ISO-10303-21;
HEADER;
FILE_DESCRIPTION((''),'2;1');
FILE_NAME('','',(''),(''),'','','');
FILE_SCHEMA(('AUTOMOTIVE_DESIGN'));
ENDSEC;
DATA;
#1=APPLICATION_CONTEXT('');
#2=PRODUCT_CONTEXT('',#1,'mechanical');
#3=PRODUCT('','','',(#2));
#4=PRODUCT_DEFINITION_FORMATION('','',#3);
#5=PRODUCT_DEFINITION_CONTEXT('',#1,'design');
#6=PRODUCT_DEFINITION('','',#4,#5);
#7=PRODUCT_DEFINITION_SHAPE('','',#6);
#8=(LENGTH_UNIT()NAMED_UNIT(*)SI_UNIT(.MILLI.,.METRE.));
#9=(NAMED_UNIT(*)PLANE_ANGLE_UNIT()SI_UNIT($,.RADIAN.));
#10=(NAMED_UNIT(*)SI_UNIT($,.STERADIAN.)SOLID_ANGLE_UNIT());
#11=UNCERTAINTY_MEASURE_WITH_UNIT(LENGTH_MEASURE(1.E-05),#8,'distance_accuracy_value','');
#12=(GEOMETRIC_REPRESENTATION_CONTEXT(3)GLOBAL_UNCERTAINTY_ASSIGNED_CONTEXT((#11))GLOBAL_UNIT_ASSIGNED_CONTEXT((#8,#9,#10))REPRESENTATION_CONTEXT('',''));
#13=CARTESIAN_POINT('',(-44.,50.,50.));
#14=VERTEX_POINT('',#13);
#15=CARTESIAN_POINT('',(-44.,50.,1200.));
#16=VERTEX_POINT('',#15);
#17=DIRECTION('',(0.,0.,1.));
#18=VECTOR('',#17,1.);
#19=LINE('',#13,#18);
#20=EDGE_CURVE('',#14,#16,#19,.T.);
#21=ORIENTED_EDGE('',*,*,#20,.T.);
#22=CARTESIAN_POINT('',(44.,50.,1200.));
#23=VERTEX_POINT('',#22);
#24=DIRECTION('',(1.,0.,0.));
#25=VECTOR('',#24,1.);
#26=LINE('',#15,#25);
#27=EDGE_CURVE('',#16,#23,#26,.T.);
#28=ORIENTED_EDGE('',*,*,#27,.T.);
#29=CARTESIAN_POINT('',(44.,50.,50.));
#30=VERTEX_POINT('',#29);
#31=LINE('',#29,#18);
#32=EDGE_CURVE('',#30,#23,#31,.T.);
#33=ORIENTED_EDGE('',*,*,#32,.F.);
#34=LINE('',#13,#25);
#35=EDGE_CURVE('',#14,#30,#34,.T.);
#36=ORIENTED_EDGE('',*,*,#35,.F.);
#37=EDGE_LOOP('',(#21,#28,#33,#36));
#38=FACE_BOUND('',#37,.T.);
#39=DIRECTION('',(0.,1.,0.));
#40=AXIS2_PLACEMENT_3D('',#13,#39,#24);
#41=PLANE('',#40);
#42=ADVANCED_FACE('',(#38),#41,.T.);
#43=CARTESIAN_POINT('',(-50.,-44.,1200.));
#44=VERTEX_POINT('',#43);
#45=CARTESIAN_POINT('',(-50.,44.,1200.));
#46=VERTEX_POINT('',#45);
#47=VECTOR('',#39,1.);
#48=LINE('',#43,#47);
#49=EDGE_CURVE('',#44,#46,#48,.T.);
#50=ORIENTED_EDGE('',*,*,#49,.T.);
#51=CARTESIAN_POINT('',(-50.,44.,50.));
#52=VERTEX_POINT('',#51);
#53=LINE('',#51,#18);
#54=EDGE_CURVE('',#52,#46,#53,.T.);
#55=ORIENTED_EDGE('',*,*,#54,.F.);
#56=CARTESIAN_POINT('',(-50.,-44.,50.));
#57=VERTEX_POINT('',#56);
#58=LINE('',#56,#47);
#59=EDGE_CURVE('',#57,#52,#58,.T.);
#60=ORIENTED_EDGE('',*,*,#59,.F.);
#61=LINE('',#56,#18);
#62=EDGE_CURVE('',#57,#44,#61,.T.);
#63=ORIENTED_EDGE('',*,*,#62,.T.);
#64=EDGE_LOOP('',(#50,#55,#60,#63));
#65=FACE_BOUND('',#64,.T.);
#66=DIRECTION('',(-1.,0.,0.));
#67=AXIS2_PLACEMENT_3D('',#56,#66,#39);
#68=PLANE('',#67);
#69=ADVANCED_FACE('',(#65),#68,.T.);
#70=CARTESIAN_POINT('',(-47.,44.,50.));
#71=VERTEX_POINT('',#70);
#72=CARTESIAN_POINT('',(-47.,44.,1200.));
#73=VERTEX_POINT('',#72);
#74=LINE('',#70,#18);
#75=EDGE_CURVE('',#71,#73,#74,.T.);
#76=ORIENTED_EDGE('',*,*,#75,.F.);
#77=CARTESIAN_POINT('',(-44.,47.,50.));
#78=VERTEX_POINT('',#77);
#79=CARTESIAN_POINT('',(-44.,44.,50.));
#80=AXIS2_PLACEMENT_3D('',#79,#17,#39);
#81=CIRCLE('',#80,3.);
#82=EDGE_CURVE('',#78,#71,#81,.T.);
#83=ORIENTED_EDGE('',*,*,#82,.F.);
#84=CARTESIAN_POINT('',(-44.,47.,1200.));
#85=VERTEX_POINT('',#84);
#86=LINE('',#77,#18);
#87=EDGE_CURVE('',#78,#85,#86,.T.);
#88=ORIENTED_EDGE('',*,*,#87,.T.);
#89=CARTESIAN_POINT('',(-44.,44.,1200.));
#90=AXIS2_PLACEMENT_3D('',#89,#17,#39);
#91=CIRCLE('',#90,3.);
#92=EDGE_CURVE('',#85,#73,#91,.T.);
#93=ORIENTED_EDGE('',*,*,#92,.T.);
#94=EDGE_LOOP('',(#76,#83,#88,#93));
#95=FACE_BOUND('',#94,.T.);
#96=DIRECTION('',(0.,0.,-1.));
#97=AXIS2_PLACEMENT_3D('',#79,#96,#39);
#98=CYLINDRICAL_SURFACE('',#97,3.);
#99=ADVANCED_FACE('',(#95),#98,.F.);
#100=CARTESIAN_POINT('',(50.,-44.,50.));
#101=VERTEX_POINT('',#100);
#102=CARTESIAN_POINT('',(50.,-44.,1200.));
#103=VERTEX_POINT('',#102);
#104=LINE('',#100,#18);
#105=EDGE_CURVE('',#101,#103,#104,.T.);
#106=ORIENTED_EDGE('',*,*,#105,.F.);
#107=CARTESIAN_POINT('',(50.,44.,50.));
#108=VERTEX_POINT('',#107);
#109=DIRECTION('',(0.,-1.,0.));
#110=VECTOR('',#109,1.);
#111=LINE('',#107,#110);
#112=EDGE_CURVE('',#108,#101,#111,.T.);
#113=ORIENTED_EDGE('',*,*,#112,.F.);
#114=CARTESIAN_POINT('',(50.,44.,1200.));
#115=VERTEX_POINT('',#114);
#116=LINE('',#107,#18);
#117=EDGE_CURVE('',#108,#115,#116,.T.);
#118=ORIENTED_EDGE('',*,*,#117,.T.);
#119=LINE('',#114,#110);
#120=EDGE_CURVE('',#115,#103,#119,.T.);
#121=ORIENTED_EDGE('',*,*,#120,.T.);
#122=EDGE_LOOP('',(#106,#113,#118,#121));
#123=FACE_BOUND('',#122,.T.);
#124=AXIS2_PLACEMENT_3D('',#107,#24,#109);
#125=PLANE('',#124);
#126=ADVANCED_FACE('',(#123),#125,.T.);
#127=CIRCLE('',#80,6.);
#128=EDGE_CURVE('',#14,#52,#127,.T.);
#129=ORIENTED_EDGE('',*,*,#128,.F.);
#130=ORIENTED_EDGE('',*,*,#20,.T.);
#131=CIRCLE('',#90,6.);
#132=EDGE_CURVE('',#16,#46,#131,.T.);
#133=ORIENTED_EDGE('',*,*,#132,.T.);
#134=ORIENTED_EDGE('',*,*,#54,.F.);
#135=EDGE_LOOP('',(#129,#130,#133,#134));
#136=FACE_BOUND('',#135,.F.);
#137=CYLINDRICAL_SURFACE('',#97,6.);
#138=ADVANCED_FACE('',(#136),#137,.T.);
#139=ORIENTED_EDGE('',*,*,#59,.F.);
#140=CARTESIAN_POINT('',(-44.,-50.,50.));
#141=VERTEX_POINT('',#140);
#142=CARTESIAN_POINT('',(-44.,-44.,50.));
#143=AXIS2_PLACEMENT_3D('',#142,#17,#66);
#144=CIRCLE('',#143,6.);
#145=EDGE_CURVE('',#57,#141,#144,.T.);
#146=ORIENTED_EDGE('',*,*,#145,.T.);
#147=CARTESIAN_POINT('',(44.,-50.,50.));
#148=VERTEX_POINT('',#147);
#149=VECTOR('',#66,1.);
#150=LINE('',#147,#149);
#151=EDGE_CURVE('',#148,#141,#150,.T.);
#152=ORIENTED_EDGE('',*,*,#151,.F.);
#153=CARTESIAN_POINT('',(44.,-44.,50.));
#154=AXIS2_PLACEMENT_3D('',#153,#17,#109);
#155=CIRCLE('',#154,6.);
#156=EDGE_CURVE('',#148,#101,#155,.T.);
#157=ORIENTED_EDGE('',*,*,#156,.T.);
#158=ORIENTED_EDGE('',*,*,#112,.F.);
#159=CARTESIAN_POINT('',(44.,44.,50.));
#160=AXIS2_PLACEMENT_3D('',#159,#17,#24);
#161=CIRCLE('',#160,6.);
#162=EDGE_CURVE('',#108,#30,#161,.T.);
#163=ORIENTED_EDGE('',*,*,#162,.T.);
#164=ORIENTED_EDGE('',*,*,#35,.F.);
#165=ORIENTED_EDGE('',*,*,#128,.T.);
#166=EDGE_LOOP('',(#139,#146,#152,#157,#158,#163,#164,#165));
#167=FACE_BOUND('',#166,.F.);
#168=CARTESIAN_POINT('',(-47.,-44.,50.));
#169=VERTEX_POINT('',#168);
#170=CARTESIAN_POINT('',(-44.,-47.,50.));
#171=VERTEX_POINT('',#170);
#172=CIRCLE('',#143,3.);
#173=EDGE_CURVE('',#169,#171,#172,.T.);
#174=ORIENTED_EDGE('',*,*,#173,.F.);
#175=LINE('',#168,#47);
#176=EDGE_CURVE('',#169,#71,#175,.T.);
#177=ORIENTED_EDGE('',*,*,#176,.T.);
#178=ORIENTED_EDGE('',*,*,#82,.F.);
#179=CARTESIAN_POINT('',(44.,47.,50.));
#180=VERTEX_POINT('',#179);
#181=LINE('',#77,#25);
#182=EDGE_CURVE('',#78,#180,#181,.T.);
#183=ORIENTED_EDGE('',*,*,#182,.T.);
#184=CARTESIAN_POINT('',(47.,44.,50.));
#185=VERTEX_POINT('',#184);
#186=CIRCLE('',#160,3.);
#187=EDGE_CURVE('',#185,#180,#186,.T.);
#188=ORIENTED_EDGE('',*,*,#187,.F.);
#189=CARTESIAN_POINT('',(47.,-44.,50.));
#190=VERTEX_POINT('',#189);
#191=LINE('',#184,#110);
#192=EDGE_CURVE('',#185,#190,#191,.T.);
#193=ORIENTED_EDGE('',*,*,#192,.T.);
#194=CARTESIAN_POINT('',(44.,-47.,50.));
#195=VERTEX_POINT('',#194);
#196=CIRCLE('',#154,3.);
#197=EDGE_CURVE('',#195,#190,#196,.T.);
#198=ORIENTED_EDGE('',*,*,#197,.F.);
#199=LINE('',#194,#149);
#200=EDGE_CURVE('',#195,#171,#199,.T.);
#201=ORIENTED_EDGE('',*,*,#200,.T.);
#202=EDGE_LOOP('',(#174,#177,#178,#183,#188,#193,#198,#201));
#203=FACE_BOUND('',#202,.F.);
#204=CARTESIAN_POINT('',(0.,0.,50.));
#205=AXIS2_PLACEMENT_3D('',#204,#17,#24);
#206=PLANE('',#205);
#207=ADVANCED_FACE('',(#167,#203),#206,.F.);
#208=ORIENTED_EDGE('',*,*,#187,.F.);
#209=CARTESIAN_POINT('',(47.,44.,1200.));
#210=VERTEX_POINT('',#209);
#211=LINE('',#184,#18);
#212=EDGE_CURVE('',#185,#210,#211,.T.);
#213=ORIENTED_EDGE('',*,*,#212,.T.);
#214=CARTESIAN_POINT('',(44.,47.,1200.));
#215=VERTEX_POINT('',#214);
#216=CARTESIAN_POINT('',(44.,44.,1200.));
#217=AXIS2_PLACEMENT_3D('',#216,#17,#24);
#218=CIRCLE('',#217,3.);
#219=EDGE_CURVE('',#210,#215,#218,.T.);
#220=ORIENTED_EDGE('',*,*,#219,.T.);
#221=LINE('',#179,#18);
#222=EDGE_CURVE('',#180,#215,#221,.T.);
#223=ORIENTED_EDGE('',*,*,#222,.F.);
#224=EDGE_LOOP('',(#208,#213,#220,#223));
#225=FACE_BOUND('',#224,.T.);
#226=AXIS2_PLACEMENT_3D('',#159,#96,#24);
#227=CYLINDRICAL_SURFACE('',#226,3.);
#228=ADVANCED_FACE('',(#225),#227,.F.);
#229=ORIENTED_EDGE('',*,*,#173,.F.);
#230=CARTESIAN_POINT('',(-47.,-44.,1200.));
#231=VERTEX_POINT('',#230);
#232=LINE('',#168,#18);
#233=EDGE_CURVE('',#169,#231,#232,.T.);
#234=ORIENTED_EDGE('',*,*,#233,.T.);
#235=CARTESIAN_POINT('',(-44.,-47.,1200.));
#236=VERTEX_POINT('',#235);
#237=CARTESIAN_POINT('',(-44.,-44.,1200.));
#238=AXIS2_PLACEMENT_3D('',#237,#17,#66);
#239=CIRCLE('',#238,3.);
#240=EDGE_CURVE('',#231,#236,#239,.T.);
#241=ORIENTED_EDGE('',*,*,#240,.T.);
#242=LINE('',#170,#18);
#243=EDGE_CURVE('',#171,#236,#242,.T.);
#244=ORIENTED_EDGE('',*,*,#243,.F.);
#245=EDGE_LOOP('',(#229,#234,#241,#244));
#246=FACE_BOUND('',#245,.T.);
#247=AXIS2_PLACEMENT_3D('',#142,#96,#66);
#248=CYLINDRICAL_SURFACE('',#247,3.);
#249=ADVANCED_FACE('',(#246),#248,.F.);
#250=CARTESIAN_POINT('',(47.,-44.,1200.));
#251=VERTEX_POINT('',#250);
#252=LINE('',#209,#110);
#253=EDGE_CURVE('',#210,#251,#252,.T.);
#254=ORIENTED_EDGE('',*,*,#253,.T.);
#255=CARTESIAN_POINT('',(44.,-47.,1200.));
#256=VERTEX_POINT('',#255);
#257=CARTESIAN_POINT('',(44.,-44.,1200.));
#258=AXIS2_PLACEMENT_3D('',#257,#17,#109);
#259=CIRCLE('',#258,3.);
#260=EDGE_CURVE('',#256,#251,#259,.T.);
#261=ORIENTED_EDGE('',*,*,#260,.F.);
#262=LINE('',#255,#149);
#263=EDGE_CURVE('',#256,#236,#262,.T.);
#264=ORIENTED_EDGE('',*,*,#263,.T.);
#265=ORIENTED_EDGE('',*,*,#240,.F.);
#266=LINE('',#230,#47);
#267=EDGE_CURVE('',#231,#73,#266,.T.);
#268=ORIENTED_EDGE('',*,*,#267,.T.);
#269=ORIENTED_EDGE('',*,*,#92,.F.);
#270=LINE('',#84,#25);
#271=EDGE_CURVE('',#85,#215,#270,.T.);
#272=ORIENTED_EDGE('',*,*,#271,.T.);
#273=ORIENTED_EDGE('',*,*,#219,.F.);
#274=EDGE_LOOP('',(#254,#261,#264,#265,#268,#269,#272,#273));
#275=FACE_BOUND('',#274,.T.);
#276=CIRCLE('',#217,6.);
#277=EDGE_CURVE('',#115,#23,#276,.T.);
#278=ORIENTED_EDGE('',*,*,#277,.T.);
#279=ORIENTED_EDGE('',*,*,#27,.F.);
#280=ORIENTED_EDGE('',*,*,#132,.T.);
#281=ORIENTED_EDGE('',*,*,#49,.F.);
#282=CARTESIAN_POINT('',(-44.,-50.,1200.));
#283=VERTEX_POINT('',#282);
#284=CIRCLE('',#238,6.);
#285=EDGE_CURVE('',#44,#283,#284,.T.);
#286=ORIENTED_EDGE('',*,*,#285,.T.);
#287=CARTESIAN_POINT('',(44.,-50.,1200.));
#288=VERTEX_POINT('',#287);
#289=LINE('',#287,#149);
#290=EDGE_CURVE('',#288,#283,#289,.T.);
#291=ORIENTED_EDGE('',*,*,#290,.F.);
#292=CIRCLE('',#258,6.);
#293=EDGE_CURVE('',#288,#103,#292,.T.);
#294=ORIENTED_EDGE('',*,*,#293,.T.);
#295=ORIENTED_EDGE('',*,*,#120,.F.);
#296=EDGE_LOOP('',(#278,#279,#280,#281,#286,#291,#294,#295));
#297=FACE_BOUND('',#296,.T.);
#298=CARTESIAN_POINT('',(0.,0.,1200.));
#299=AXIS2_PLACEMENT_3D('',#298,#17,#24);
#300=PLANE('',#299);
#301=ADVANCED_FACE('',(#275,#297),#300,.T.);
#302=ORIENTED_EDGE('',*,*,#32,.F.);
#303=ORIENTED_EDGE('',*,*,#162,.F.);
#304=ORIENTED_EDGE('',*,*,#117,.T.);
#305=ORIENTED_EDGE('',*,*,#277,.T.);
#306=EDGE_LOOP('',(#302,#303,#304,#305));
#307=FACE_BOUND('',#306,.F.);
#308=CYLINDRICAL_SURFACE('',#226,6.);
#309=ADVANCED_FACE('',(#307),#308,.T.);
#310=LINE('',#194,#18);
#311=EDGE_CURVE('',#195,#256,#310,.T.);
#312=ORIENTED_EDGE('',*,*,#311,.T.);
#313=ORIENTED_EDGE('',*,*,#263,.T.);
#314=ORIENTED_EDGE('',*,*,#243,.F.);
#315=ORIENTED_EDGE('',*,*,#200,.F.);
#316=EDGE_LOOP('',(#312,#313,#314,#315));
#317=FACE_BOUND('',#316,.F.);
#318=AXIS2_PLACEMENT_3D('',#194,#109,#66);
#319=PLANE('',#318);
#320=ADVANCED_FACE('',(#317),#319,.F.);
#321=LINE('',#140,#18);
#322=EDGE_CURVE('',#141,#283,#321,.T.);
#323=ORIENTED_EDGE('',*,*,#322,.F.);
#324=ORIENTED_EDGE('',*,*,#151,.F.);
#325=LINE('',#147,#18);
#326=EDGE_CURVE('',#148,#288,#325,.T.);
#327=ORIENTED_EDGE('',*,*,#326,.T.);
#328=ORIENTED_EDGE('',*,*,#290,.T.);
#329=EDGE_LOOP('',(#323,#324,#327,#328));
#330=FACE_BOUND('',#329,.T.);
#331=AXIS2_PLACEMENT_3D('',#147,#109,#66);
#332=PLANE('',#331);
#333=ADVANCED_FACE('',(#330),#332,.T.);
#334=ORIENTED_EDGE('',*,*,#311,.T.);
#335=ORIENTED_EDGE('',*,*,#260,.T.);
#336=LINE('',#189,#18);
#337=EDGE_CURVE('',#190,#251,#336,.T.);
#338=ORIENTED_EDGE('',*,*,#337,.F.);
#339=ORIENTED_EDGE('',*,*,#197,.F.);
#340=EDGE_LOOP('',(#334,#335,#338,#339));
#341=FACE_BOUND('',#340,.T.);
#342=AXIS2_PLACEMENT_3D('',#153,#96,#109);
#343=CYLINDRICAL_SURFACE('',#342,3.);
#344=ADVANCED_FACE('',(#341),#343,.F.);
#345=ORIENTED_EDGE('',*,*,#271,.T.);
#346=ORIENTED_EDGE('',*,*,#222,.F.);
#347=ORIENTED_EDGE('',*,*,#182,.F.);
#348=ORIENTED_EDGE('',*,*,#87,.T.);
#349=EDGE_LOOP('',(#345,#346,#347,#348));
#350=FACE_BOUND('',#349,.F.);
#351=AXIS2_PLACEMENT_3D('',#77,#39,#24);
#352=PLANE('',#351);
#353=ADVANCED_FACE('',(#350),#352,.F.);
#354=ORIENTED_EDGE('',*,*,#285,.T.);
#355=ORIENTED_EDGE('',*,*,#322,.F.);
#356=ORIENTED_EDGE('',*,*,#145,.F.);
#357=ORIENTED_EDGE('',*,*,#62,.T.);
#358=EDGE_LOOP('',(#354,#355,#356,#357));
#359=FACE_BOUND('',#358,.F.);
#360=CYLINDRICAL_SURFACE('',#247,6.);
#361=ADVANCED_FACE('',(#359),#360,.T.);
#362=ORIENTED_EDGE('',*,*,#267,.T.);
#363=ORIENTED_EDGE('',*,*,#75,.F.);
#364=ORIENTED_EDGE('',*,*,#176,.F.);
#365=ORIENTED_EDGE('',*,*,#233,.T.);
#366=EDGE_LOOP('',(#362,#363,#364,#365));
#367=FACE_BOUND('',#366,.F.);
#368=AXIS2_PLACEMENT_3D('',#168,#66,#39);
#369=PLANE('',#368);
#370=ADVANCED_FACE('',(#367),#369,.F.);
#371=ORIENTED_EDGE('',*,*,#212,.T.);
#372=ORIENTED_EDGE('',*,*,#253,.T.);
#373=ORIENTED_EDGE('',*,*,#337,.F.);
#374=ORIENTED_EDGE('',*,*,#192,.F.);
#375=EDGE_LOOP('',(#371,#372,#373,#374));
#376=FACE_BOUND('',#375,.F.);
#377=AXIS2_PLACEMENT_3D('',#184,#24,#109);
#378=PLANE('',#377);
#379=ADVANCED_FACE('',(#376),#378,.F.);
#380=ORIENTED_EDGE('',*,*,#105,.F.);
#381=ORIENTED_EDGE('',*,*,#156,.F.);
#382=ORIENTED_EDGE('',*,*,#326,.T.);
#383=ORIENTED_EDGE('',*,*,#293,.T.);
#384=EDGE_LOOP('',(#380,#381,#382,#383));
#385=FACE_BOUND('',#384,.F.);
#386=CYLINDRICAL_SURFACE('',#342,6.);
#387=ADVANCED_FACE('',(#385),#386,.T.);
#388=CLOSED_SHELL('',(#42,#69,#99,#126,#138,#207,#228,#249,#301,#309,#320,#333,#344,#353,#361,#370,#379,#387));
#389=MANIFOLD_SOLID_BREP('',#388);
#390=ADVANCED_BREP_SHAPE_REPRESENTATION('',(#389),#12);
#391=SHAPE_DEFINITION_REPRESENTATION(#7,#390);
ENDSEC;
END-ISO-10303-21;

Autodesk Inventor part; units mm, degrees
ref_plane "YZ Plane" through (0, 0, 0) normal (1, 0, 0) x (0, 1, 0)
ref_plane "Start plane" through (0, 0, 50) normal (0, 0, 1) x (1, 0, 0)
ref_plane "End plane" through (0, 0, 1200) normal (0, 0, 1) x (1, 0, 0)
sketch "Sketch" plane through (0, 0, 0) normal (0, 0, 1) x (1, 0, 0)
  line L0 (-50, -44) -> (-50, 44)
  line L1 (-44, 50) -> (44, 50)
  line L2 (50, 44) -> (50, -44)
  line L3 (44, -50) -> (-44, -50)
  arc A0 (-50, -44) -> (-44, -50) centre (-44, -44) ccw
  arc A1 (50, 44) -> (44, 50) centre (44, 44) ccw
  arc A2 (-44, 50) -> (-50, 44) centre (-44, 44) ccw
  arc A3 (44, -50) -> (50, -44) centre (44, -44) ccw
  arc A4 (-44, 47) -> (-47, 44) centre (-44, 44) ccw
  line L4 (-44, 47) -> (44, 47)
  arc A5 (47, 44) -> (44, 47) centre (44, 44) ccw
  line L5 (47, 44) -> (47, -44)
  arc A6 (44, -47) -> (47, -44) centre (44, -44) ccw
  line L6 (44, -47) -> (-44, -47)
  arc A7 (-47, -44) -> (-44, -47) centre (-44, -44) ccw
  line L7 (-47, -44) -> (-47, 44)
  line L8 (0, 72.3196) -> (0, -72.3196) construction
  line L9 (-72.3196, 0) -> (72.3196, 0) construction
  dimension "d7" = 6
  dimension "d9" = 100
  dimension "d11" = 100
  dimension "d12" = 3
  dimension "d15" = 50
  dimension "d16" = 50
extrude "Body" add sketch "Sketch" along normal up to surface (1150 mm away) from surface at 50
sketch "Sketch3" plane through (0, 0, 0) normal (0, 0, 1) x (1, 0, 0)
  line L0 (0, 0) -> (10, 0)
ref_plane "Work Plane3" through (0, 0, 0) normal (0, -1, 0) x (1, 0, 0)
sketch "Sketch4" plane through (0, 0, 0) normal (0, -1, 0) x (1, 0, 0)
  line L0 (-2, 50) -> (12, 50) projected
  line L1 (-2, 1200) -> (12, 1200) projected
  dimension "d18" = 1150
equation "\"d7\" = G_IR"
equation "\"d9\" = G_W"
equation "\"d11\" = G_H"
equation "\"d12\" = G_T"
equation "\"d15\" = 0.5 * d9"
equation "\"d16\" = 0.5 * d11"
equation "\"d3\" = G_L"
equation "\"G_W\" = 100"
equation "\"G_H\" = 100"
equation "\"G_T\" = 3"
equation "\"G_IR\" = 6"
equation "\"G_L\" = d18"
properties part number "ISO 10799-2 - 100x100x3 - 1150" material "Steel, Mild"
